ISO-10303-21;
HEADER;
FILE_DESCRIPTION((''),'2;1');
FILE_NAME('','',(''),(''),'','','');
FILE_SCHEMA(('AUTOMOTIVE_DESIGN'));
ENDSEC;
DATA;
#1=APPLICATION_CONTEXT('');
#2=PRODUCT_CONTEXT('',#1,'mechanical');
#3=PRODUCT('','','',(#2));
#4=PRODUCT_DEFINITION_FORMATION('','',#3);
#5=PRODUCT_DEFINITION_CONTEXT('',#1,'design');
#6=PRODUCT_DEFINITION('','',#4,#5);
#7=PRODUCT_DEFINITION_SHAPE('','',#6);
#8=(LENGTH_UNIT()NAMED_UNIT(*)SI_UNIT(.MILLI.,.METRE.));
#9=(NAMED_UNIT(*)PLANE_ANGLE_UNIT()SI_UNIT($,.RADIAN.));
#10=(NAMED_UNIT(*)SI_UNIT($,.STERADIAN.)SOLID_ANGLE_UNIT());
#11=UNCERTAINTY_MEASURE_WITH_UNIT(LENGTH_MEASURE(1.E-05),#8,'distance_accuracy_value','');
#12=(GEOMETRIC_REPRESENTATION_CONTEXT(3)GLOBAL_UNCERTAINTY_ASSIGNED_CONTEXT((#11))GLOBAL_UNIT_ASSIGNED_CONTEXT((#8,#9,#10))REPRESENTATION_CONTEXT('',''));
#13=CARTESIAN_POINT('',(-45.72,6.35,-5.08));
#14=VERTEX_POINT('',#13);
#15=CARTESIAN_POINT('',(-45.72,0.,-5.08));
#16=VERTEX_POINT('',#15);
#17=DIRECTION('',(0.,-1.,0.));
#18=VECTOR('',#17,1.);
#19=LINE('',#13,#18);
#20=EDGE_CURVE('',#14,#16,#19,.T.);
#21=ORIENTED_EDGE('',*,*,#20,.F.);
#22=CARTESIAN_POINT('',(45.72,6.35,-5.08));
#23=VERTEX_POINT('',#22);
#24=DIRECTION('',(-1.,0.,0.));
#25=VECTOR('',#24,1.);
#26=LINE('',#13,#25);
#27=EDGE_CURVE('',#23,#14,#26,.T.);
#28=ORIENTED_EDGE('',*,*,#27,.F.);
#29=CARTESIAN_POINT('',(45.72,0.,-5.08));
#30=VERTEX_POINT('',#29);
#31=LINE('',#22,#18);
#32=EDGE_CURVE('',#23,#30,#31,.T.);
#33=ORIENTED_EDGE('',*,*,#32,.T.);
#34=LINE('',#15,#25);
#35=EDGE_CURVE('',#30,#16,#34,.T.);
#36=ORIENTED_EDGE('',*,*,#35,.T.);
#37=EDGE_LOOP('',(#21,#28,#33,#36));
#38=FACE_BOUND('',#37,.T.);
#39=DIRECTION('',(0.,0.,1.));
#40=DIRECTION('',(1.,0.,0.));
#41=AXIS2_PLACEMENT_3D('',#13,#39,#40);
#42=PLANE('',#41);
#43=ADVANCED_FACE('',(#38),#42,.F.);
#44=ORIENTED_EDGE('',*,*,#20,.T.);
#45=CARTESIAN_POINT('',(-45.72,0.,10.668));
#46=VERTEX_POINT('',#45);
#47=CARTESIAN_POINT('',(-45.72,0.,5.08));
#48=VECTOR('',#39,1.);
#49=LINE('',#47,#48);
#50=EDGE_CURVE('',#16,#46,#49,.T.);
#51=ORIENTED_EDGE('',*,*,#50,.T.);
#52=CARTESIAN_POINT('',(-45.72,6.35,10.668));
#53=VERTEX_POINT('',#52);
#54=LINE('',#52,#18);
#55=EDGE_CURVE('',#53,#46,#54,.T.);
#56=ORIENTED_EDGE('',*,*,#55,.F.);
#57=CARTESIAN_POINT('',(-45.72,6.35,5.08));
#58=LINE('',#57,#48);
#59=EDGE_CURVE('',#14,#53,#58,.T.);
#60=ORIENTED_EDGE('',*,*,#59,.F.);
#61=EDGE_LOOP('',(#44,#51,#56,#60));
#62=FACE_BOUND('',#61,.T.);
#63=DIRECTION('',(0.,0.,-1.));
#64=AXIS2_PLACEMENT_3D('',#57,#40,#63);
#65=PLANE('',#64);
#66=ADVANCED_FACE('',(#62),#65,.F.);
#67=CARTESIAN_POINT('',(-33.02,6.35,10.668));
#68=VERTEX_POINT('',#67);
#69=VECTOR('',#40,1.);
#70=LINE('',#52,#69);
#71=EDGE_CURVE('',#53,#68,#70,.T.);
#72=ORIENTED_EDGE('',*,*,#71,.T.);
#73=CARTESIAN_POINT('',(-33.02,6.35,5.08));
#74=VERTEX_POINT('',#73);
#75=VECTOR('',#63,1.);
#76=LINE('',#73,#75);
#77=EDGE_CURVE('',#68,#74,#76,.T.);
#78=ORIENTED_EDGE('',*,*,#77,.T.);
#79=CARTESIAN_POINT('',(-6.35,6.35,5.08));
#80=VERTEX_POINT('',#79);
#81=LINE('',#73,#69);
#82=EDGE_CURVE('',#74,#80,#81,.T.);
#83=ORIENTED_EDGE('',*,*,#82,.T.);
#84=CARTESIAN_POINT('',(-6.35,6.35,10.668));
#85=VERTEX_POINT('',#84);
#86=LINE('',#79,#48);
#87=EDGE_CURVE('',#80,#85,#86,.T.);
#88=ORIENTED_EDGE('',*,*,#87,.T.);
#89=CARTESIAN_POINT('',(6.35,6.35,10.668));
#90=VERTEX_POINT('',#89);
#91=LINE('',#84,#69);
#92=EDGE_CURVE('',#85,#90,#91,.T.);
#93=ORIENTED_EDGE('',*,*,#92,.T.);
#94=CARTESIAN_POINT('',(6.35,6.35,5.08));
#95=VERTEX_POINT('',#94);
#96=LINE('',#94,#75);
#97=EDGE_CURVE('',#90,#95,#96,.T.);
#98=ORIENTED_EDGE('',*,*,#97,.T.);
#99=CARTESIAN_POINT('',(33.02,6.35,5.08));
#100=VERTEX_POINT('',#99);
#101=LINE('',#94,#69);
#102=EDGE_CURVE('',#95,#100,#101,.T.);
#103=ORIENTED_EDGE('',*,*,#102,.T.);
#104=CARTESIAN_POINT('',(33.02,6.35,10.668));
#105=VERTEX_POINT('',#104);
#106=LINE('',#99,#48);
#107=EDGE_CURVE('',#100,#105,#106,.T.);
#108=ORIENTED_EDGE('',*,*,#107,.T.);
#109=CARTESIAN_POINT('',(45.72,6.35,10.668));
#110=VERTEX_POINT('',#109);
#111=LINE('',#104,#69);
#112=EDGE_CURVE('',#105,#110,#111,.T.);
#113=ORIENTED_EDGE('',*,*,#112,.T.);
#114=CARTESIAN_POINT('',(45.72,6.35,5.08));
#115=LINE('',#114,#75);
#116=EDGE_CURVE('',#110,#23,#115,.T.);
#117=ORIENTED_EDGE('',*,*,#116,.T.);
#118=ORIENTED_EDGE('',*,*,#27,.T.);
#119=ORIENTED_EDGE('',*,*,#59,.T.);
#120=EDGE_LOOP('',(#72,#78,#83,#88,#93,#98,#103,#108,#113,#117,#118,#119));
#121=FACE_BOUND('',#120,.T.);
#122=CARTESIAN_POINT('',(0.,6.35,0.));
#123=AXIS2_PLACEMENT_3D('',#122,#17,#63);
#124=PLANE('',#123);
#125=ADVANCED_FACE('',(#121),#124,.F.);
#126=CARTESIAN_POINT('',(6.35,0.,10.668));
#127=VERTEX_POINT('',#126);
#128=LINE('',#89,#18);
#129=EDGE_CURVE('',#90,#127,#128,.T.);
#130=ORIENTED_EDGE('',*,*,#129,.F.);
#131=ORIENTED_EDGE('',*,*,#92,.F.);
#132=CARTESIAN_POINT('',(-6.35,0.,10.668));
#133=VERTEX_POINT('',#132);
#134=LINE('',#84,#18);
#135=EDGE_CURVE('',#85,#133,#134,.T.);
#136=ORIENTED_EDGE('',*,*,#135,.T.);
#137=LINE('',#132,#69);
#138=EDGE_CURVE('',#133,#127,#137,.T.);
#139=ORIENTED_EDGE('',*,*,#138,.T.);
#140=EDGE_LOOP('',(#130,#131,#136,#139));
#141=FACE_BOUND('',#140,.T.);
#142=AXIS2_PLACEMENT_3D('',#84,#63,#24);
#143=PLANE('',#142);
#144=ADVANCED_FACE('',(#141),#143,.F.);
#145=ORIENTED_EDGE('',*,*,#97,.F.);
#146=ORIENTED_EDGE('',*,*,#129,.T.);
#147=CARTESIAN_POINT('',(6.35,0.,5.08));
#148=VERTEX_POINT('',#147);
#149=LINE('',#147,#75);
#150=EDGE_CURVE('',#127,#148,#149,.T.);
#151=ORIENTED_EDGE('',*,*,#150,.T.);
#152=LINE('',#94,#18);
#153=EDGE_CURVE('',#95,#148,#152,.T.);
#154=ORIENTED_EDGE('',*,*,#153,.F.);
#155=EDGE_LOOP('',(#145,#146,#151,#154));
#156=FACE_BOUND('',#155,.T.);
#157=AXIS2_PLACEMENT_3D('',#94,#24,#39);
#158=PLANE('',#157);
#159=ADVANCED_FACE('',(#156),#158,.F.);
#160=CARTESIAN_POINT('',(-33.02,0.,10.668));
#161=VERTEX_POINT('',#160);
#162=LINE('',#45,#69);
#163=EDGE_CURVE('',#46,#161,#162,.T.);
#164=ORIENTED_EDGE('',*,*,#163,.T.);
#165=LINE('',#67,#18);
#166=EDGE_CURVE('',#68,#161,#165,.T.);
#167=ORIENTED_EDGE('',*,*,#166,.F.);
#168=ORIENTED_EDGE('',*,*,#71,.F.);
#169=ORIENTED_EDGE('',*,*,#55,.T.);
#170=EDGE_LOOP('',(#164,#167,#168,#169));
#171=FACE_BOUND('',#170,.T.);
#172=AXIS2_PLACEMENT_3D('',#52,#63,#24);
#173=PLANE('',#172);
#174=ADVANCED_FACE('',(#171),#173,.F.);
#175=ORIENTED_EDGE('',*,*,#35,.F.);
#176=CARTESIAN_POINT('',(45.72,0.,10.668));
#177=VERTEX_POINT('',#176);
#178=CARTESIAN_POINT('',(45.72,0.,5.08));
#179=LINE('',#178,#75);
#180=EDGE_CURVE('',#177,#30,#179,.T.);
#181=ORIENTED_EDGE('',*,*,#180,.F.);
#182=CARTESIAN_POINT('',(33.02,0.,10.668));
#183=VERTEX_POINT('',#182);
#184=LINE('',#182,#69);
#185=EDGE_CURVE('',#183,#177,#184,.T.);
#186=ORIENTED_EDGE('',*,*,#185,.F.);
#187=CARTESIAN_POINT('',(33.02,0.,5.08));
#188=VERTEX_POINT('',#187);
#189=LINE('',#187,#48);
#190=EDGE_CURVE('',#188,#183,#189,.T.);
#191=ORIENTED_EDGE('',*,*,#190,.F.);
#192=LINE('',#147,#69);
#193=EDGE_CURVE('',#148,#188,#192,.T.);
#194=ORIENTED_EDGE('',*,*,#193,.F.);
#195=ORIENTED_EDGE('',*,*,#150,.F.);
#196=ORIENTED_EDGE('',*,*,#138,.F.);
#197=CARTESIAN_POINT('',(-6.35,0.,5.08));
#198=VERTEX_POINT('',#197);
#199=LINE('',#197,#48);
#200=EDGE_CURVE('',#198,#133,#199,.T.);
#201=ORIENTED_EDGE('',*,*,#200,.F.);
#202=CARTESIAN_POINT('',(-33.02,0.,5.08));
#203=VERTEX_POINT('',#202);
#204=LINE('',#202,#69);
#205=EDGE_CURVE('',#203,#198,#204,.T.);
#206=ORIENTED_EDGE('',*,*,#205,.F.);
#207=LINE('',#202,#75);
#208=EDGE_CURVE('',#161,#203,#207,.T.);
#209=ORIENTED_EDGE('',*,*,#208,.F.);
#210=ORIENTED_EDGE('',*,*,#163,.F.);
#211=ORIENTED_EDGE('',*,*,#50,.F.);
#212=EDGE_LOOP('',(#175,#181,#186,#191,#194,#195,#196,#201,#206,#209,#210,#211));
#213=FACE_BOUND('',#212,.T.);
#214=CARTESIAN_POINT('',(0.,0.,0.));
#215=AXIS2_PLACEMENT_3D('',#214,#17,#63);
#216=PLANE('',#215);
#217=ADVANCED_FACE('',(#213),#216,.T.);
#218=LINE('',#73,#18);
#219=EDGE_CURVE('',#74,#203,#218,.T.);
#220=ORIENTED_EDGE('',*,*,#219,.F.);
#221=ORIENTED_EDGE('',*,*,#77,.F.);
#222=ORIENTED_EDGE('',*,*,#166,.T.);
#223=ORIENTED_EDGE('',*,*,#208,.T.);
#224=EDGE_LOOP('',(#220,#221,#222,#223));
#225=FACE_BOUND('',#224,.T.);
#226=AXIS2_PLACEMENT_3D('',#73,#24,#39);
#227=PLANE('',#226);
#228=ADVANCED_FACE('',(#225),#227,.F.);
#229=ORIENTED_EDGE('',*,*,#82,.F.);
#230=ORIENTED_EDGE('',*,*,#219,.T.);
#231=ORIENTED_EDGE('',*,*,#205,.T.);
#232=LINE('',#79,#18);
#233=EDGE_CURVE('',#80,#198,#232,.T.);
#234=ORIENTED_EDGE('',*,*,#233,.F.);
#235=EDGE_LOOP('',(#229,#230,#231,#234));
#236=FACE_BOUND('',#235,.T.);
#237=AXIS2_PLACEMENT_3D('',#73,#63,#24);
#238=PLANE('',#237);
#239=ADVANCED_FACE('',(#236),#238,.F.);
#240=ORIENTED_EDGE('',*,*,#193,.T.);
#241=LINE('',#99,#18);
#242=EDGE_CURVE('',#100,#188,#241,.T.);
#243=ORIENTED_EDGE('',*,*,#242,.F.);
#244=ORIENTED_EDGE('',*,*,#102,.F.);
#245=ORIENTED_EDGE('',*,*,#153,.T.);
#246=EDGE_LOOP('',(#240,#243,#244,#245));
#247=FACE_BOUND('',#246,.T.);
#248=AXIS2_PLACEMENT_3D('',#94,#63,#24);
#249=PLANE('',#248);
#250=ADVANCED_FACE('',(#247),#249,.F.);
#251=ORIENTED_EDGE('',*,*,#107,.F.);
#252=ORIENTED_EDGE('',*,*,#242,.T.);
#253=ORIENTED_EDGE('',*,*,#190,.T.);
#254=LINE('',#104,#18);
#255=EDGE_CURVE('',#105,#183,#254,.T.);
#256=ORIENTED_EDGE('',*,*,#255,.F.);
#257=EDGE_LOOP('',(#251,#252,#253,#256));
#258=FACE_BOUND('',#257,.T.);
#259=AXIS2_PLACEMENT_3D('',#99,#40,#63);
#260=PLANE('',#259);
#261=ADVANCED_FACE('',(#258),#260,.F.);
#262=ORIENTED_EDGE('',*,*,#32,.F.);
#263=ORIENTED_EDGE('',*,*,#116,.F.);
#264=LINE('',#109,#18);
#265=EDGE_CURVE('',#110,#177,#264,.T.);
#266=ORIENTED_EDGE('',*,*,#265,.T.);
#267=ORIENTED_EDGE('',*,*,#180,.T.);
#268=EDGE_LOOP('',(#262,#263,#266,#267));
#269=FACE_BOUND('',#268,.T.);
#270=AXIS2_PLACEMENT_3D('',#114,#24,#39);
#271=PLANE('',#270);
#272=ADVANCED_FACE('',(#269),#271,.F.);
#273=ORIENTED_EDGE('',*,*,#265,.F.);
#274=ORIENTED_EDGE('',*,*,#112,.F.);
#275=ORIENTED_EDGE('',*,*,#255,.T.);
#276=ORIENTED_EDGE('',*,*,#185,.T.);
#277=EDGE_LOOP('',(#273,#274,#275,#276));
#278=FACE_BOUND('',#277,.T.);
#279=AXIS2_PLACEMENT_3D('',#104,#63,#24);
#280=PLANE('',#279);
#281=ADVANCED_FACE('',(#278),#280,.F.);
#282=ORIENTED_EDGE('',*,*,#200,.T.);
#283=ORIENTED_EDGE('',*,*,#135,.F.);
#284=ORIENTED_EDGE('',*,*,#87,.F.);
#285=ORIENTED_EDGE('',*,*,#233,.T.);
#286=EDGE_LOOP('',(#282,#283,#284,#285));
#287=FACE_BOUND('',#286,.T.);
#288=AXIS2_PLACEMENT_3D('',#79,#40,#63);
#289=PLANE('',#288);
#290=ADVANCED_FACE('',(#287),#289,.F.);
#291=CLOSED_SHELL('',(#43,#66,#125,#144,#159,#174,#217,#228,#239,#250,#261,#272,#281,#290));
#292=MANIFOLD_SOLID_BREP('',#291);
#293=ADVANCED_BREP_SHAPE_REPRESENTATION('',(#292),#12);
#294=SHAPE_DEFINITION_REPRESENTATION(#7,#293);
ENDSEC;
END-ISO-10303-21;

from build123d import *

# Parameters (mm, degrees)
BOSS_EXTRUDE1_DEPTH = 6.35


with BuildPart() as part:
    # Sketch1 → Boss-Extrude1 (new body)
    with BuildSketch(Plane(origin=(0, 0, 0), x_dir=(1, 0, 0), z_dir=(0, 1, 0))):
        Polygon((-6.35, -5.08), (-6.35, -10.668), (6.35, -10.668), (6.35, -5.08), (33.02, -5.08), (33.02, -10.668), (45.72, -10.668), (45.72, -5.08), (45.72, 5.08), (-45.72, 5.08), (-45.72, -5.08), (-45.72, -10.668), (-33.02, -10.668), (-33.02, -5.08), align=None)
    extrude(amount=BOSS_EXTRUDE1_DEPTH)


solid = part.part
